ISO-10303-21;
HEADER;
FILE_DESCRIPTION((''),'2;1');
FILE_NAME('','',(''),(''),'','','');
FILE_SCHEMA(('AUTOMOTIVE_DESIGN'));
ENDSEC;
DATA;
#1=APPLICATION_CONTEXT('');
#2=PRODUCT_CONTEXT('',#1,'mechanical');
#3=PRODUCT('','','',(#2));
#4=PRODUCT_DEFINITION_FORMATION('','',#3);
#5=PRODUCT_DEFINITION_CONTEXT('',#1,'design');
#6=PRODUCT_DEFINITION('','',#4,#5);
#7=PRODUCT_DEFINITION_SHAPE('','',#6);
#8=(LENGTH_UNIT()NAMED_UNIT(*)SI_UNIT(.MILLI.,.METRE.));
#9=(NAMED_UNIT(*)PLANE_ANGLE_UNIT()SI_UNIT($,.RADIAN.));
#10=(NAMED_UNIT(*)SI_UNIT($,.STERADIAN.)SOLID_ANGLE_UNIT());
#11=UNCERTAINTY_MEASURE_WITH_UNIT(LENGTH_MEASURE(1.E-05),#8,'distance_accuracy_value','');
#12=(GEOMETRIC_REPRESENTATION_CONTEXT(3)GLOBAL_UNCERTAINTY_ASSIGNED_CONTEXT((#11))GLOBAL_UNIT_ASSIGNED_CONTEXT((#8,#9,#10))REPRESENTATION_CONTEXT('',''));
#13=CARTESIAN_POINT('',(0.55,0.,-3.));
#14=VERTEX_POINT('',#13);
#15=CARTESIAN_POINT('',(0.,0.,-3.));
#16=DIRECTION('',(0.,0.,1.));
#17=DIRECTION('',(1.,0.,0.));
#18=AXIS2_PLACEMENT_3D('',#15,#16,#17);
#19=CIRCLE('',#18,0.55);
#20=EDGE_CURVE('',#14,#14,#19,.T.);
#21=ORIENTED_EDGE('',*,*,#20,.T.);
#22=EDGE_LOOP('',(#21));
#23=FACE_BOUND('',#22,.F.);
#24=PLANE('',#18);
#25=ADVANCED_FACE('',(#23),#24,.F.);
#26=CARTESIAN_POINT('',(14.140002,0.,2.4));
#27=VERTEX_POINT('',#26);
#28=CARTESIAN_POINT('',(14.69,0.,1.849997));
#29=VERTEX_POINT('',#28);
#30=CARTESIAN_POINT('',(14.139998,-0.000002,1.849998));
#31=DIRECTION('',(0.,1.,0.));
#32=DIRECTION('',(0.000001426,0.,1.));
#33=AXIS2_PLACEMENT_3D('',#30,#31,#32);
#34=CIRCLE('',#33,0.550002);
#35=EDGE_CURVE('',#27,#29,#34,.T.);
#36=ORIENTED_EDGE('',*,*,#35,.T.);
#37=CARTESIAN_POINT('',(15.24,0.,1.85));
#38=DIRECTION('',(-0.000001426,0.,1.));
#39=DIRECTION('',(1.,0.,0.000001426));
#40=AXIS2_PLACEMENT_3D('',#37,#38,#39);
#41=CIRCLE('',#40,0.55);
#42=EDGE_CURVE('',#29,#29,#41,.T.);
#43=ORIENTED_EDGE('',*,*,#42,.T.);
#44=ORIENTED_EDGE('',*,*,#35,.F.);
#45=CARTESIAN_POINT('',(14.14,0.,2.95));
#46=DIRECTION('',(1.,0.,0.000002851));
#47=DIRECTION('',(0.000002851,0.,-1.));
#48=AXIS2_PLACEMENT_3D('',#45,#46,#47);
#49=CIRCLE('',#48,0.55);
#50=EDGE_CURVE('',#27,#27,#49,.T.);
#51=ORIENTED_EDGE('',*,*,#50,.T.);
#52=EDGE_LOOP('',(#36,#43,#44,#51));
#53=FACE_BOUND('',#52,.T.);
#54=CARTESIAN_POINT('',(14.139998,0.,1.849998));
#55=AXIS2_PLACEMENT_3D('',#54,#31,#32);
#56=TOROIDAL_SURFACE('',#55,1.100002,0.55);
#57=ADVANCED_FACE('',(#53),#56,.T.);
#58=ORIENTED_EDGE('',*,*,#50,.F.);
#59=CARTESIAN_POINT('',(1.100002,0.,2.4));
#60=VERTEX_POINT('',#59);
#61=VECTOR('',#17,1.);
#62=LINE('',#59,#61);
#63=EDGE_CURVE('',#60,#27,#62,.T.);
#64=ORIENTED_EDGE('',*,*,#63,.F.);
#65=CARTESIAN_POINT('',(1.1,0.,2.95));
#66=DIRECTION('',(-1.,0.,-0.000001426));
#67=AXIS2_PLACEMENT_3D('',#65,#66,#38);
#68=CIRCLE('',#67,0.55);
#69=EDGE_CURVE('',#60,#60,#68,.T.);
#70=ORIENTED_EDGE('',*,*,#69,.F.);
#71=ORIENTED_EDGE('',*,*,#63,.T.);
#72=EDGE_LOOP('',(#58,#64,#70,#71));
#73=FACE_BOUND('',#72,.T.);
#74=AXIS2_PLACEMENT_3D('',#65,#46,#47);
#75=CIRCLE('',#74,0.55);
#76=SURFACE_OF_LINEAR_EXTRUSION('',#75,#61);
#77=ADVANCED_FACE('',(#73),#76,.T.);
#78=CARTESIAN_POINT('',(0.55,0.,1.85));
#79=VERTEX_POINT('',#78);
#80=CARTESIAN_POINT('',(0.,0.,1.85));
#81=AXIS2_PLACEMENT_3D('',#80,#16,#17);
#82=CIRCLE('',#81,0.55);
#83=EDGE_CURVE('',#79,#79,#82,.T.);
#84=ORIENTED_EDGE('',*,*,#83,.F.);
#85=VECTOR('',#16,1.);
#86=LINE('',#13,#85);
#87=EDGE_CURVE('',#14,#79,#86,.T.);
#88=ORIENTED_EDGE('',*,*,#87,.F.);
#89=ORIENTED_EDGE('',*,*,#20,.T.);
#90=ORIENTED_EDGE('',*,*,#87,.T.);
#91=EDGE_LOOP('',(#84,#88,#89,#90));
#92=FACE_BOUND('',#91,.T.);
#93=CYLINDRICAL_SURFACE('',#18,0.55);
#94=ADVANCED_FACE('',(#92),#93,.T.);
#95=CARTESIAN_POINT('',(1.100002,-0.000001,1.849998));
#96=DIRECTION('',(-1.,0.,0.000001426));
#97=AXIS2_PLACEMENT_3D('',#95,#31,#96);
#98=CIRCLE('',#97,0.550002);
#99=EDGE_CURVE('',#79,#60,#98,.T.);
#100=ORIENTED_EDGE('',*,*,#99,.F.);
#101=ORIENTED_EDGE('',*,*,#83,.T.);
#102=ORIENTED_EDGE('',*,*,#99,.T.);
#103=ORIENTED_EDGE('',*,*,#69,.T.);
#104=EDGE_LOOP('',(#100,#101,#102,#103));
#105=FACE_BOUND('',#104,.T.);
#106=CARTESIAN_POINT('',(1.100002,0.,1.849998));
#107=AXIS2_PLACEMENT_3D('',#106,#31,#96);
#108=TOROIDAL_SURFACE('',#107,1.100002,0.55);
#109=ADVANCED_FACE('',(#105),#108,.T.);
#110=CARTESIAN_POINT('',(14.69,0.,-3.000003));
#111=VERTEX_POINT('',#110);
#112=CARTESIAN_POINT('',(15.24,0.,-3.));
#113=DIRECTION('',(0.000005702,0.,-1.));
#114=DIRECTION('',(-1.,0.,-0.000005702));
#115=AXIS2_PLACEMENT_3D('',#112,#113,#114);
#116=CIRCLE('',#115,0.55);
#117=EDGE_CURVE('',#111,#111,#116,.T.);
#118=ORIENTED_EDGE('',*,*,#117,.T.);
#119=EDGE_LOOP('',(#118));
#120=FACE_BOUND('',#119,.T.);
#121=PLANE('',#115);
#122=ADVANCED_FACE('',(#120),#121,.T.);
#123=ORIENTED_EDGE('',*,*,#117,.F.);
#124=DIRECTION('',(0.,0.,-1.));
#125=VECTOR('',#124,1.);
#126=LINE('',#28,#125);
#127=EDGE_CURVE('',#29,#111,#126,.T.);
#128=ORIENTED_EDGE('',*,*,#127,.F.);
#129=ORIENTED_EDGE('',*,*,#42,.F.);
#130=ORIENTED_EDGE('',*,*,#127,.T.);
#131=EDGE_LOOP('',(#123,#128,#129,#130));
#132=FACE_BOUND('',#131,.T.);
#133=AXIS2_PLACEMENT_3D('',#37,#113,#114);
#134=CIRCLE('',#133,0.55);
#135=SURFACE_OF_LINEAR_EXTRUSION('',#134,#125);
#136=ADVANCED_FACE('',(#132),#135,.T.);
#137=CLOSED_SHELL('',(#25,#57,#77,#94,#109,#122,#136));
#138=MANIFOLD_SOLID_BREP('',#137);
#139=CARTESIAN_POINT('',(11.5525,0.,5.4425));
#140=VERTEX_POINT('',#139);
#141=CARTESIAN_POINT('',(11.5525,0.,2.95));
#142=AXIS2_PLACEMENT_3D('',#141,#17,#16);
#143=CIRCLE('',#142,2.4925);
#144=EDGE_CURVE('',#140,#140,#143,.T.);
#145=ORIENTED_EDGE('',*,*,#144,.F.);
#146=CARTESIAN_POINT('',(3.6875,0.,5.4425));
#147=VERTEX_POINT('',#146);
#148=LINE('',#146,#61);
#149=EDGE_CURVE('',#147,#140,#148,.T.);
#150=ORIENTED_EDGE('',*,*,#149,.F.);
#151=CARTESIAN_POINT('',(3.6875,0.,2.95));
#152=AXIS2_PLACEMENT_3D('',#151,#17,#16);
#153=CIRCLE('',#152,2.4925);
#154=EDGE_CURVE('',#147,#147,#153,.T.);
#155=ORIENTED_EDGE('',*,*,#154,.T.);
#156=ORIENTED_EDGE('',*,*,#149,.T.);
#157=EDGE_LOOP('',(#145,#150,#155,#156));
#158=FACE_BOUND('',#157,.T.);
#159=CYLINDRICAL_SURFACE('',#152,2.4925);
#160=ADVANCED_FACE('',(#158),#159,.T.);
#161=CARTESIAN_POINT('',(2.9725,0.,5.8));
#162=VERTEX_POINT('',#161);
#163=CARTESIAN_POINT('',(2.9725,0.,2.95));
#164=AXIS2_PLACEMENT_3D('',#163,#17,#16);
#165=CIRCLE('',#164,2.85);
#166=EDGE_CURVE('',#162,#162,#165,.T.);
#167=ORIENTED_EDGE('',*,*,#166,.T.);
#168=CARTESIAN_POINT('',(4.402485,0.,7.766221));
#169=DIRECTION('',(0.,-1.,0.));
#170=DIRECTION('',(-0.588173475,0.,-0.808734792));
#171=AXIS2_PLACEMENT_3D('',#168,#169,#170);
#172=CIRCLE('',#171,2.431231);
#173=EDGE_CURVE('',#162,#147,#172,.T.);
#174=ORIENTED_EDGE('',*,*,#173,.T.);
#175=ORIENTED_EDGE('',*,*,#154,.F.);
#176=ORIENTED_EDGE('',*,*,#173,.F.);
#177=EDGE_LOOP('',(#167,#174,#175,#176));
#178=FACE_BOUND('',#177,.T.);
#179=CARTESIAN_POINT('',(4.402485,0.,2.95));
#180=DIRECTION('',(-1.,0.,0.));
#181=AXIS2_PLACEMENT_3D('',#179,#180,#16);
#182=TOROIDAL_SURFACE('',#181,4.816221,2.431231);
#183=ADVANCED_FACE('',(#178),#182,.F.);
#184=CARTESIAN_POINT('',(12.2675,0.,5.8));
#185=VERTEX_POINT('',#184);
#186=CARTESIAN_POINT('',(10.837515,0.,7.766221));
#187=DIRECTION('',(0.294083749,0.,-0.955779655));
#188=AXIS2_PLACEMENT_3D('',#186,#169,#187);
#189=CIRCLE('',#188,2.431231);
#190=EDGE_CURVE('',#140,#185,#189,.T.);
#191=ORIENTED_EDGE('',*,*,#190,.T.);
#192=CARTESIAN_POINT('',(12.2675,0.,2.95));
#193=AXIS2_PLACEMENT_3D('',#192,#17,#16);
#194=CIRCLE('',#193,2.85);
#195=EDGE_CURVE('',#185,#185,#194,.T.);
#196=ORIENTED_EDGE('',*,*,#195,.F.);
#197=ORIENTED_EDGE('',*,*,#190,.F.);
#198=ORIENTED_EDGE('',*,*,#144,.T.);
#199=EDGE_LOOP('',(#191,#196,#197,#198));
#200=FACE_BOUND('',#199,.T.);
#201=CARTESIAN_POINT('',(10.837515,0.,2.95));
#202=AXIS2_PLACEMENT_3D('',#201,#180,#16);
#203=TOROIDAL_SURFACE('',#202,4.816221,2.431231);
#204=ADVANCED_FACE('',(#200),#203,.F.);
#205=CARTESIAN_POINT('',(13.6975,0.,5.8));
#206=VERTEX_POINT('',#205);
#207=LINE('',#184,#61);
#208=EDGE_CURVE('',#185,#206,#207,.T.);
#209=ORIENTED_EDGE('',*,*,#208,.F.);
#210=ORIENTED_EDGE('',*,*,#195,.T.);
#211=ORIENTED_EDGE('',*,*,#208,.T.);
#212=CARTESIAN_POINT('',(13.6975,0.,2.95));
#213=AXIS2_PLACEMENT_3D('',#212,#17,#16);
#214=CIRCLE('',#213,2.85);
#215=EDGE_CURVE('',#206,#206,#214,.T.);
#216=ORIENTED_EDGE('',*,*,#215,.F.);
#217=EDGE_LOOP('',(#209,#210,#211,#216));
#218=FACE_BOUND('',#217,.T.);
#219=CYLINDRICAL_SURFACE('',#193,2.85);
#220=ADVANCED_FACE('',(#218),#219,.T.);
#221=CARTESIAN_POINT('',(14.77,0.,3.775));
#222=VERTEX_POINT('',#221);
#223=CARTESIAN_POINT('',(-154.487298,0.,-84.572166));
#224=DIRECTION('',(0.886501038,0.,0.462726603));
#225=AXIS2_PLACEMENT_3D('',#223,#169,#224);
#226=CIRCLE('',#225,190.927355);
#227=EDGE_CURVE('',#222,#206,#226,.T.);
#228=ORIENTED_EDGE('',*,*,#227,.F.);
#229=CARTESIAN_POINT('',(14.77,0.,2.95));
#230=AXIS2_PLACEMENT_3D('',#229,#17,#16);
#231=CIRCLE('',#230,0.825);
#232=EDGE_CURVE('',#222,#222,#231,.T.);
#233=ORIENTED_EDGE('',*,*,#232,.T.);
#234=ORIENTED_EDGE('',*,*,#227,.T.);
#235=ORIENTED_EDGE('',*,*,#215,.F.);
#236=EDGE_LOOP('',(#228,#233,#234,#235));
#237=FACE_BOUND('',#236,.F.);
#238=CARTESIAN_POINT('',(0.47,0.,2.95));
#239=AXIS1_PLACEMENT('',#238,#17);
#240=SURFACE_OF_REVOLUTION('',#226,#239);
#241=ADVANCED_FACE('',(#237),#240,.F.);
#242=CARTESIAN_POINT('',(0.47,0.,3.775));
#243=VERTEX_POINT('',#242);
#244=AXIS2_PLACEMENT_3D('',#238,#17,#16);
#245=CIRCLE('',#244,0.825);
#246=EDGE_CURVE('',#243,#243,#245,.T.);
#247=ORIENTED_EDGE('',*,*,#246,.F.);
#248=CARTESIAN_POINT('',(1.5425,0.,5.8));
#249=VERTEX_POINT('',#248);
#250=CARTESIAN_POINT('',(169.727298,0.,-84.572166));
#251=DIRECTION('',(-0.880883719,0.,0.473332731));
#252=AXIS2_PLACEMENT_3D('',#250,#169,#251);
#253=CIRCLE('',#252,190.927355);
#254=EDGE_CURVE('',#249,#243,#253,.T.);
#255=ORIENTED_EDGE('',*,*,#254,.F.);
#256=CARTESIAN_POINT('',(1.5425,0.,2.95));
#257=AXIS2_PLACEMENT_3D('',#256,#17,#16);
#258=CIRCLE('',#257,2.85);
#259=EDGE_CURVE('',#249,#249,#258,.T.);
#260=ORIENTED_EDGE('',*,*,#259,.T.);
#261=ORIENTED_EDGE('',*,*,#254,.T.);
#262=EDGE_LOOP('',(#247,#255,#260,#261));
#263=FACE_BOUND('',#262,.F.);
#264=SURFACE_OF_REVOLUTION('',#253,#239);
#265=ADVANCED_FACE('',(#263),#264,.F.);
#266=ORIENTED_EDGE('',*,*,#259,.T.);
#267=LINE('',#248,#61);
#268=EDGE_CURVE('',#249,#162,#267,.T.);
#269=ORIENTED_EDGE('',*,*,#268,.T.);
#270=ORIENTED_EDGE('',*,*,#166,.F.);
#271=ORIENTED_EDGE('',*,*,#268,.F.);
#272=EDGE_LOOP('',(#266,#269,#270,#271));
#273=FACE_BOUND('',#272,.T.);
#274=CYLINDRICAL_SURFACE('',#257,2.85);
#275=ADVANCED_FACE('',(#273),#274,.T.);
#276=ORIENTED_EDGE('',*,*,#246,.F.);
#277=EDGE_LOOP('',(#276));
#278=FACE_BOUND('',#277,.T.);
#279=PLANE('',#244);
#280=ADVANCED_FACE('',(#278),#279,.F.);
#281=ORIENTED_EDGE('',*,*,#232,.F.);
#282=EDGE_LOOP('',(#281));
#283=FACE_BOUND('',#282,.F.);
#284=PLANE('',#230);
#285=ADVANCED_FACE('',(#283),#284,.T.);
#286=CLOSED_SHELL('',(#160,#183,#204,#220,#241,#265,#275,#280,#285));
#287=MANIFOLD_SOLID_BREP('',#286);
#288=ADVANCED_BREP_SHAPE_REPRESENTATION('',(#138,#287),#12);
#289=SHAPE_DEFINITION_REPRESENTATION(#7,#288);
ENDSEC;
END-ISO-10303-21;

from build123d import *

# Parameters (mm, degrees)
SKETCH_R = 0.55


with BuildPart() as revolution:
    # Sketch002 → Revolution (revolve)
    with BuildSketch(Plane.XZ):
        with BuildLine():
            Line((1.5425, 5.8), (2.9725, 5.8))
            ThreePointArc((2.9725, 5.8), (3.315206, 5.591662), (3.6875, 5.4425))
            Line((3.6875, 5.4425), (11.5525, 5.4425))
            ThreePointArc((11.5525, 5.4425), (11.924794, 5.591662), (12.2675, 5.8))
            Line((12.2675, 5.8), (13.6975, 5.8))
            ThreePointArc((14.77, 3.775), (14.236788, 4.789109), (13.6975, 5.8))
            Line((14.77, 2.95), (14.77, 3.775))
            Line((0.47, 2.95), (14.77, 2.95))
            Line((0.47, 2.95), (0.47, 3.775))
            ThreePointArc((1.5425, 5.8), (1.003212, 4.789109), (0.47, 3.775))
        make_face()
    revolve(axis=Axis((0.47, 0, 2.95), (1, 0, 0)))


with BuildPart() as sweep_body:
    # Sweep: sweep along a path in Sketch001
    with BuildLine(Plane.XZ) as sweep_path:
        Line((0, -3), (0, 1.85))
        ThreePointArc((0, 1.85), (0.322183, 2.627817), (1.1, 2.95))
        Line((1.1, 2.95), (14.14, 2.95))
        ThreePointArc((14.14, 2.95), (14.917817, 2.627817), (15.24, 1.85))
        Line((15.24, 1.85), (15.24, -3))
    # Sketch → Sweep (sweep)
    with BuildSketch(Plane.XY.offset(-2)):
        Circle(SKETCH_R)
    sweep(path=sweep_path.line)


solid = Compound([revolution.part, sweep_body.part])
